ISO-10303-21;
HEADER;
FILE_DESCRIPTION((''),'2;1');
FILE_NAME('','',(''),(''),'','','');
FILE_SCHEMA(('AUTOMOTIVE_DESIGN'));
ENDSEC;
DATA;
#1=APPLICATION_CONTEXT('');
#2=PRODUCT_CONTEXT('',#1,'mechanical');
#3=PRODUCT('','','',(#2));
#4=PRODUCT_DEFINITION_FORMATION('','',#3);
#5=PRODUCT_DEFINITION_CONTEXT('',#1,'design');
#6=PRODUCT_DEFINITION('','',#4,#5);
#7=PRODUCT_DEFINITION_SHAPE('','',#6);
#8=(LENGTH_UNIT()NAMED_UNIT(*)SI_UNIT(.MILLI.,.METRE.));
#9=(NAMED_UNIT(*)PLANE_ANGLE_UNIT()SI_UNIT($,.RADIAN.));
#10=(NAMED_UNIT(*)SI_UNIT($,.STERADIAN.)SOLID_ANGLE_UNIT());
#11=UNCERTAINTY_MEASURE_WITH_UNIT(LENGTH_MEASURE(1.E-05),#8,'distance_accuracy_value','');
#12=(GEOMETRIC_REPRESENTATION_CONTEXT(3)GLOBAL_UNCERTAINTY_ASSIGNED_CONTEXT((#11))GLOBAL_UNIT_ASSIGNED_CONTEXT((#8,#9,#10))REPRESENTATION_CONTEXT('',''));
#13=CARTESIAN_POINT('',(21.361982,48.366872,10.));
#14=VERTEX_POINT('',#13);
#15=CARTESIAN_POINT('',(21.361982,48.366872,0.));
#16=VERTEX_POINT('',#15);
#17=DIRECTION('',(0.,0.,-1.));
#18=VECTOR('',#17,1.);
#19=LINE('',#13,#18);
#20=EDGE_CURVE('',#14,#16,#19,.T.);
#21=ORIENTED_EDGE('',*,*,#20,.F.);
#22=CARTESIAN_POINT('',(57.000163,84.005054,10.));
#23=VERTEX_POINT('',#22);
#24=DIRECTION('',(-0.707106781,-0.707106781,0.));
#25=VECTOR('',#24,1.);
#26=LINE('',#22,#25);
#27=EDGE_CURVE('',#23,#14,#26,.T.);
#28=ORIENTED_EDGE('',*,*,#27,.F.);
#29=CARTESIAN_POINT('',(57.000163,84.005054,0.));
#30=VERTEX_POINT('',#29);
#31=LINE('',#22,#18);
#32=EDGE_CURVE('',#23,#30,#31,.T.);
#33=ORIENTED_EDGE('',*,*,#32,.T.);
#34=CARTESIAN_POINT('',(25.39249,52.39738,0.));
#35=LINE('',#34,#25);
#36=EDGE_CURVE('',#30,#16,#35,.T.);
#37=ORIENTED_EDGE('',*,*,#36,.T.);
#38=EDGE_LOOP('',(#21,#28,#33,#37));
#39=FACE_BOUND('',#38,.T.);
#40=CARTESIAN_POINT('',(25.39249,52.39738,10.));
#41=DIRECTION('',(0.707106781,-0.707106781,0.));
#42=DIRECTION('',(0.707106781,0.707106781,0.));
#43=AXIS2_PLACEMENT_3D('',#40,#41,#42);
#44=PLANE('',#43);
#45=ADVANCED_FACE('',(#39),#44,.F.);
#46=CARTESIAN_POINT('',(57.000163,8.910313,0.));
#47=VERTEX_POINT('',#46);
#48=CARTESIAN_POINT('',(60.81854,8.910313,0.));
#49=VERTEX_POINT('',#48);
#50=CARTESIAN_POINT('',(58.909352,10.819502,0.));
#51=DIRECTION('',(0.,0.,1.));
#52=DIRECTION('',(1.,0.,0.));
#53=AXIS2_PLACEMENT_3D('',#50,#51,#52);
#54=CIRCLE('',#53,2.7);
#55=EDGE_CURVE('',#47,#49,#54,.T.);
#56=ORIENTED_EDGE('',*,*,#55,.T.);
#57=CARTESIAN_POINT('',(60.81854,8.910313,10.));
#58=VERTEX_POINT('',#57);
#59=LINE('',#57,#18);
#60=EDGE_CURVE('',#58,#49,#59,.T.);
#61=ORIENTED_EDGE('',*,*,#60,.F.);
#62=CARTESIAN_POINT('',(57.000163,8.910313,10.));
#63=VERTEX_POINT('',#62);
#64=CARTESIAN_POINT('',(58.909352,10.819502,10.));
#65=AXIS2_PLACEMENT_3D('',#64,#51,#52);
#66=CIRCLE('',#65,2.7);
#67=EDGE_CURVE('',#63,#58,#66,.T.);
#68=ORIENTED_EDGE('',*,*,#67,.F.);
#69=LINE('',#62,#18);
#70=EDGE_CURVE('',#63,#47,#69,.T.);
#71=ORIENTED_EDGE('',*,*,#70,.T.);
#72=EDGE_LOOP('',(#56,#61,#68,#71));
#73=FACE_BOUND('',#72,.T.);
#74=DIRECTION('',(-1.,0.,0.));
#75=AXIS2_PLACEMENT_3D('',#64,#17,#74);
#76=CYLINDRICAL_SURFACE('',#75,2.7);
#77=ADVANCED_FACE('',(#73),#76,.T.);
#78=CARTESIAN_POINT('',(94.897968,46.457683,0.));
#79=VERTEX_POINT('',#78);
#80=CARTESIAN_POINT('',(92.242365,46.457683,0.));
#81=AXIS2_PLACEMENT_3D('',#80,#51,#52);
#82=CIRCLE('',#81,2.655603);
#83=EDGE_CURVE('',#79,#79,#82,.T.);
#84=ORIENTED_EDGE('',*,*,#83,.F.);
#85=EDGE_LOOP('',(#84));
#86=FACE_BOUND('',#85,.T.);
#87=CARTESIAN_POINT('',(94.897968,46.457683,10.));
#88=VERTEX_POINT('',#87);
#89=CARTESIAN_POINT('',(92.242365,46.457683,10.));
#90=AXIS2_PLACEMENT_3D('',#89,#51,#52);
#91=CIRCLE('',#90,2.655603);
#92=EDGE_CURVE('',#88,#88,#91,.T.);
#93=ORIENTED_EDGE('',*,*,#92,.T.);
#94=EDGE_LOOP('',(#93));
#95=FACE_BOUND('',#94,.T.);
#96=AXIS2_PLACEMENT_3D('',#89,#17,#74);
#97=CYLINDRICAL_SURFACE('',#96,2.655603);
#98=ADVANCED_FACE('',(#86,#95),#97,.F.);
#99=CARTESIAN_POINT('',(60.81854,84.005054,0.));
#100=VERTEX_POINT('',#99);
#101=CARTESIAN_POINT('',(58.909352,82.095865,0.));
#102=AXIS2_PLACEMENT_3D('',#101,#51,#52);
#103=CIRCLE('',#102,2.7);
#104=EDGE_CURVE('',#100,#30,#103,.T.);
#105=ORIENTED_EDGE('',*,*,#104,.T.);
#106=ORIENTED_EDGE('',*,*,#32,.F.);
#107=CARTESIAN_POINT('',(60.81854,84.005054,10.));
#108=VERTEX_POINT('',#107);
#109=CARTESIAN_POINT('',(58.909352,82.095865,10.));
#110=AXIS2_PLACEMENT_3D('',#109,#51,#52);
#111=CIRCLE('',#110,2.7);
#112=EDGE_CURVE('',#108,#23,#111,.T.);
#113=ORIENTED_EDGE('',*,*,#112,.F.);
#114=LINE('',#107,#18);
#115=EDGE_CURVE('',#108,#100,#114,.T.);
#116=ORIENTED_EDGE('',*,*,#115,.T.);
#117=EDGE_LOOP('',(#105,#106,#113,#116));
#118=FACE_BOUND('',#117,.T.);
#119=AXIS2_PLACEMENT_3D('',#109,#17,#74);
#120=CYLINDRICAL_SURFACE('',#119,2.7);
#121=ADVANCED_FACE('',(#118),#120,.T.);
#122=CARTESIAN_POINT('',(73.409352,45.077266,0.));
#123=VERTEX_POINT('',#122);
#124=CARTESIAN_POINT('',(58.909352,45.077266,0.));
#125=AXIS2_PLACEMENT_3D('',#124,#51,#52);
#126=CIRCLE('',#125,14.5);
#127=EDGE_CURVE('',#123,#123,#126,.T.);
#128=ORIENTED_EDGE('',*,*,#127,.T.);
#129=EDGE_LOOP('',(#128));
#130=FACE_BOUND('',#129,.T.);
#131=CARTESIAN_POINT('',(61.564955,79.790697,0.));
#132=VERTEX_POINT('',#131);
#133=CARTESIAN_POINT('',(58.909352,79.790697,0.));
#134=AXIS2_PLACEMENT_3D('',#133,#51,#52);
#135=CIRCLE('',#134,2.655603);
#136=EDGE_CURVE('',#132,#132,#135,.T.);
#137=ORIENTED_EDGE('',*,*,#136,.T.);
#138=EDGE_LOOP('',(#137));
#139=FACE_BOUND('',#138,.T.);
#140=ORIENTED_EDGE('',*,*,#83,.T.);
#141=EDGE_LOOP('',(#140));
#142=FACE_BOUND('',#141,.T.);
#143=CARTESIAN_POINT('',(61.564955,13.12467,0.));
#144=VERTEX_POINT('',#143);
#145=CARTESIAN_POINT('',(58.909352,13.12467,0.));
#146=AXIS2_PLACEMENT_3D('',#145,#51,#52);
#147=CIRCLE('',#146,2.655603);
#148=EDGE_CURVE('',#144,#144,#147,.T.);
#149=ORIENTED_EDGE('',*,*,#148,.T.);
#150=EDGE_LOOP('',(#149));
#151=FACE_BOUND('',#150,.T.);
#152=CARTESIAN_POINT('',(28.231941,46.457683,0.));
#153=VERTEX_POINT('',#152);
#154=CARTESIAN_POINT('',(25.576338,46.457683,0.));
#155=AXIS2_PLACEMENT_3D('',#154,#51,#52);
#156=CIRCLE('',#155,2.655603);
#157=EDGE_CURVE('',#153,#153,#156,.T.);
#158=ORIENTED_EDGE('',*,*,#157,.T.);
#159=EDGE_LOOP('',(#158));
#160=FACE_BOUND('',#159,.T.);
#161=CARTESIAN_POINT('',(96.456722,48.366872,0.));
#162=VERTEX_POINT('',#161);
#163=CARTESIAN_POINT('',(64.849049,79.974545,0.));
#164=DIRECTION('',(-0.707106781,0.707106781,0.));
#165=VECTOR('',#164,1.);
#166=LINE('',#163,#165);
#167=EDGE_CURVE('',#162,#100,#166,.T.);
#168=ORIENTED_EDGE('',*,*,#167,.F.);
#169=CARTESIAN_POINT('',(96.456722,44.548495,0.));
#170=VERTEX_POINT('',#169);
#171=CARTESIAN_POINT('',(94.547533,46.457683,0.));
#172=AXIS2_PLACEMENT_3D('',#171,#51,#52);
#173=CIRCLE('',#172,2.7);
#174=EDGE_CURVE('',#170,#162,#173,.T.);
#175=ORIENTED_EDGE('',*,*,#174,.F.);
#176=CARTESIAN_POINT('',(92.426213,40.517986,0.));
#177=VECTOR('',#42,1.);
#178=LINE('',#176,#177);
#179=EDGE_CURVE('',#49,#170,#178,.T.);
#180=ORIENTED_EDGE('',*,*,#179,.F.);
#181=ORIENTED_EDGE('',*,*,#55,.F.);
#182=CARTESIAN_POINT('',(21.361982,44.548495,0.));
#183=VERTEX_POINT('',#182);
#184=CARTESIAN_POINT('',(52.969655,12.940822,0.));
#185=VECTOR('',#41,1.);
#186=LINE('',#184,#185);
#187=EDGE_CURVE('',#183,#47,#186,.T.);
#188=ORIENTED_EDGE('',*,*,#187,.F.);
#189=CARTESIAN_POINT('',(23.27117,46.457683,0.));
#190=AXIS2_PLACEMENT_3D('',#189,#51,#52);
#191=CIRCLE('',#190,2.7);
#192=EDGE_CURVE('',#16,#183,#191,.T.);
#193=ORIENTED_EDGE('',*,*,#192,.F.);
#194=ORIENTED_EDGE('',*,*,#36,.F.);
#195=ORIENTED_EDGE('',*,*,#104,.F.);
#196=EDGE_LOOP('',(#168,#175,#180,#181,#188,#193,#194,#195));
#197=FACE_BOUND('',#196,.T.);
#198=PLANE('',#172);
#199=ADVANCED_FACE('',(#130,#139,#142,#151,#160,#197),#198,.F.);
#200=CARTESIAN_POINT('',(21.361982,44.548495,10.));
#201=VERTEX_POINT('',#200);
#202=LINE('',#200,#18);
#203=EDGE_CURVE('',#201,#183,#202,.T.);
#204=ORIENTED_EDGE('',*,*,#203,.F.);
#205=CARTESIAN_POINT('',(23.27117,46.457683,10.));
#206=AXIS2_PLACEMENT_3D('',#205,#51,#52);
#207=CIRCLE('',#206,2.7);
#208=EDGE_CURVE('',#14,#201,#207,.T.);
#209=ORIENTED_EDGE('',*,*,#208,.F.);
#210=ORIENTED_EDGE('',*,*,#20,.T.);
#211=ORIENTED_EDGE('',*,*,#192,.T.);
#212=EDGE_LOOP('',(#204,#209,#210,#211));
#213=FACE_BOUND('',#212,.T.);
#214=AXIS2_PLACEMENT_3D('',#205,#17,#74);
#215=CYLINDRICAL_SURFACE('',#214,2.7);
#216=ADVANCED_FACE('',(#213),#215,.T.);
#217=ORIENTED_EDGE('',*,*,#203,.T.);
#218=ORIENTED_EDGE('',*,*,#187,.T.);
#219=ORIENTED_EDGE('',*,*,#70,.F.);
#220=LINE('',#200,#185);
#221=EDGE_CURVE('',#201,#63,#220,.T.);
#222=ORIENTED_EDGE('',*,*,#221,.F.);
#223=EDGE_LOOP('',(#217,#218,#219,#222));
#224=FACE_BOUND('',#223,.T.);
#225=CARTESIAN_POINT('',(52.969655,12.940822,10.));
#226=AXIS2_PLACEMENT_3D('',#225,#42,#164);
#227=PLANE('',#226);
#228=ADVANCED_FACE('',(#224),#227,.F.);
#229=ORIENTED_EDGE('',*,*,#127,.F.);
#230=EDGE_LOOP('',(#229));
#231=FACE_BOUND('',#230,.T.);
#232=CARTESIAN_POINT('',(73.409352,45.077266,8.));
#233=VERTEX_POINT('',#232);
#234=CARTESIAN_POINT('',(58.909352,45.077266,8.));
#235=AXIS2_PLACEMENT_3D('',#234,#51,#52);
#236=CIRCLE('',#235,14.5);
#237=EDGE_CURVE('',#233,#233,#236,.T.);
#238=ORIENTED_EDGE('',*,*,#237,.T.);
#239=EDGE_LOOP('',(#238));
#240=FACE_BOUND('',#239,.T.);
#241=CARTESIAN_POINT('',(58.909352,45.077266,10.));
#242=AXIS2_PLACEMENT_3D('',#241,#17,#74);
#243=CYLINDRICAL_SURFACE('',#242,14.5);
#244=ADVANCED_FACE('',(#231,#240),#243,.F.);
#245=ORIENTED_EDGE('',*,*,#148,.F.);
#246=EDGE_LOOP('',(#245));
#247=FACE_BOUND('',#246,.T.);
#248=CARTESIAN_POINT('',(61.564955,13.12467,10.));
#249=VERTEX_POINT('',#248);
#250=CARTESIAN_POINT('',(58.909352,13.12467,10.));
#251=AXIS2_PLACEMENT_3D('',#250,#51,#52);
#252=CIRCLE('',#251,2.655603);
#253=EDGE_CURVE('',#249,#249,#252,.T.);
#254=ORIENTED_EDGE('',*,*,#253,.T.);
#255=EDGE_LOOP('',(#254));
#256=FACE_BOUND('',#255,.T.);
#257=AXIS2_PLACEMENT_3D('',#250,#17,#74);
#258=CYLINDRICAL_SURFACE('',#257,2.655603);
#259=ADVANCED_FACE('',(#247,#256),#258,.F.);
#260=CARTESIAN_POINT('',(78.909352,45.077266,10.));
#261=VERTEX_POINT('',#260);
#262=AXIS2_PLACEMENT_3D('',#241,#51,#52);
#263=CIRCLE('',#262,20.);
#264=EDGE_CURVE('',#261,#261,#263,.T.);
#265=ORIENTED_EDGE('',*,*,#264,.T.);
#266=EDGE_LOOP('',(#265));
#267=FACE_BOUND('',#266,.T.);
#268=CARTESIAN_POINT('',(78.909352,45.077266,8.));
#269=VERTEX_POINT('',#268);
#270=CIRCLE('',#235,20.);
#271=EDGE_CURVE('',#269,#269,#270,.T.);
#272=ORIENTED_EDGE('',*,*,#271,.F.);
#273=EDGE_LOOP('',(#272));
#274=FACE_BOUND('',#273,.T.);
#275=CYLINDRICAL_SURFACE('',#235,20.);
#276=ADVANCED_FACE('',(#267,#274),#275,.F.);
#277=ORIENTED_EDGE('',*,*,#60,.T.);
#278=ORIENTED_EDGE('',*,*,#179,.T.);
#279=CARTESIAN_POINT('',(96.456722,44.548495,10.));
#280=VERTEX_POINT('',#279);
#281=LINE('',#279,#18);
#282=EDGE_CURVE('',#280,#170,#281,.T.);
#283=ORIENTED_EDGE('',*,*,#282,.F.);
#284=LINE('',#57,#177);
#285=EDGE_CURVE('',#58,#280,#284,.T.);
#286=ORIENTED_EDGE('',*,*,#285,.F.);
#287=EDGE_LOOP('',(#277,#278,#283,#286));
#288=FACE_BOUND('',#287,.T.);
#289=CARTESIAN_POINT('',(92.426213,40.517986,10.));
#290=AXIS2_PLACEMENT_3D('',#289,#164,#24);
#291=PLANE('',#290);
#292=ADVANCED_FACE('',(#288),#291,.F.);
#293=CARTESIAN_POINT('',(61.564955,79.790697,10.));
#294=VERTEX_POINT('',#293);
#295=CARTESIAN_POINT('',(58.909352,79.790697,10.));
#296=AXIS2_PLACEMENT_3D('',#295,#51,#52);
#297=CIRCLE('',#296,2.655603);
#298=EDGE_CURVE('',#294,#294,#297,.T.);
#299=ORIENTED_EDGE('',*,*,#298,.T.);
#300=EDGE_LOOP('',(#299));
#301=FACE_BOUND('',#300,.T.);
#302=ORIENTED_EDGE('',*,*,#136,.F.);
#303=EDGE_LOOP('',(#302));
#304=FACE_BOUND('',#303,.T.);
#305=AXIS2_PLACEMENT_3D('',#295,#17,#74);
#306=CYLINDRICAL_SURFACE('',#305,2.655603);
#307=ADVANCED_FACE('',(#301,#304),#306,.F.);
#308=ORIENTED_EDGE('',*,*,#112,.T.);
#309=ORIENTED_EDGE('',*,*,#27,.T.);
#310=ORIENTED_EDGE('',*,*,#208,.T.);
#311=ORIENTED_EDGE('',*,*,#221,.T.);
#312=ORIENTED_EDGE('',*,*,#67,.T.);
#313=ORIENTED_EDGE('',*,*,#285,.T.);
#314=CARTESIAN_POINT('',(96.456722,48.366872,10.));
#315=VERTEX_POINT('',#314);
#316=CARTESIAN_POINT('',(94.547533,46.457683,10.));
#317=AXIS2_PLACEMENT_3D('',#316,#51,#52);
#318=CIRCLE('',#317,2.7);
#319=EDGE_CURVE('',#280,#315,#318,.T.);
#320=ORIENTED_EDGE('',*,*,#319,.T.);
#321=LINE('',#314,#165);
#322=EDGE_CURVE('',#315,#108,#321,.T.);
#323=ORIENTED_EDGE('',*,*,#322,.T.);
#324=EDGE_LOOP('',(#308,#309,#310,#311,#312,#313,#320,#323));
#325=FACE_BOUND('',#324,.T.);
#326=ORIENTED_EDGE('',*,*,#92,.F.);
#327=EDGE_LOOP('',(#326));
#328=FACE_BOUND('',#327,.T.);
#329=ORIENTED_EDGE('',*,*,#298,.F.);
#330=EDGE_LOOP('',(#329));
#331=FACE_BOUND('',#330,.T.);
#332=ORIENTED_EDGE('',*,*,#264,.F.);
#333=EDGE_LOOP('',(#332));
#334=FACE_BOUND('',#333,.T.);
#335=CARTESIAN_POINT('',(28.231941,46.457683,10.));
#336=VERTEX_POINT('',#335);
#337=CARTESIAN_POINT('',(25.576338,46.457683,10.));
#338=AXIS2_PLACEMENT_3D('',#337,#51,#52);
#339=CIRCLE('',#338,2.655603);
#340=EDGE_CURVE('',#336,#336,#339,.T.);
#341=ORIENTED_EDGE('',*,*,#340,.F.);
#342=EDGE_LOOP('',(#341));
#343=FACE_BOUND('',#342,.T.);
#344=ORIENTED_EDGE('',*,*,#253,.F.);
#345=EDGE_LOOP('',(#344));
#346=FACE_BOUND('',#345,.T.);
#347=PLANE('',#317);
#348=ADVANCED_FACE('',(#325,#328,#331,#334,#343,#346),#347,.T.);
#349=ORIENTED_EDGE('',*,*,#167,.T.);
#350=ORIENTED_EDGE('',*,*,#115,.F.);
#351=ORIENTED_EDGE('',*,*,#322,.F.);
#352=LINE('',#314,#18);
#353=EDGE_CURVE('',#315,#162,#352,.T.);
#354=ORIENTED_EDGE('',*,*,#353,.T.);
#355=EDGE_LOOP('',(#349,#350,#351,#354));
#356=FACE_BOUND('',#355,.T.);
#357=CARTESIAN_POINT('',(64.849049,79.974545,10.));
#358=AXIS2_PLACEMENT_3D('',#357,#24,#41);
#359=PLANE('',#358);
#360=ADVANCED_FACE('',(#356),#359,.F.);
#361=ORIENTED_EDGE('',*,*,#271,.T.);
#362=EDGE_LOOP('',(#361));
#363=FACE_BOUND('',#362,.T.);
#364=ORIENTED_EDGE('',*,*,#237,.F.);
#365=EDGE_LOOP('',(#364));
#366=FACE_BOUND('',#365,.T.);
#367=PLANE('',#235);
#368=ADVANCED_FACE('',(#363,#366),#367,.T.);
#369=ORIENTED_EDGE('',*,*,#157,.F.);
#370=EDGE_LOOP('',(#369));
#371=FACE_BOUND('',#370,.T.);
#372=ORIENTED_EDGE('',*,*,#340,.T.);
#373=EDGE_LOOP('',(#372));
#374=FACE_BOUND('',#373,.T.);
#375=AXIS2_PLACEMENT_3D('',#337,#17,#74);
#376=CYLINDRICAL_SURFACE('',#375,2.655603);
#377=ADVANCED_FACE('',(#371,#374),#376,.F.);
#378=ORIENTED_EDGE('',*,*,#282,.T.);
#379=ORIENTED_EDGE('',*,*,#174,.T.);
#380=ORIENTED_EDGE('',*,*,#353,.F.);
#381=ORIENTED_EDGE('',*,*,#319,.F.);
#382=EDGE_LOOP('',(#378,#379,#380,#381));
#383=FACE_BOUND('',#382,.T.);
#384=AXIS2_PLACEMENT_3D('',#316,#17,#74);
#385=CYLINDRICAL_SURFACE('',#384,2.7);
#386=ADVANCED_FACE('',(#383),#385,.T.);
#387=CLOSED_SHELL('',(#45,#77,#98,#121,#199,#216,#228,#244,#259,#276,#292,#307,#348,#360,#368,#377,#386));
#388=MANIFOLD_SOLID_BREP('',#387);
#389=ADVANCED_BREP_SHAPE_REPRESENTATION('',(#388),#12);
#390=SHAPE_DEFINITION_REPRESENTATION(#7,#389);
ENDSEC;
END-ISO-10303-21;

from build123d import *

# Parameters (mm, degrees)
SKETCH1_R           = 14.5
SKETCH1_R_2         = 2.655602963
BOSS_EXTRUDE1_DEPTH = 10
SKETCH2_R           = 20
CUT_EXTRUDE1_DEPTH  = 2


with BuildPart() as part:
    # Sketch1 → Boss-Extrude1 (new body)
    with BuildSketch(Plane.XY):
        with BuildLine():
            Line((96.456721684, 48.36687177), (64.849048565, 79.974544889))
            Line((64.849048565, 79.974544889), (60.818539912, 84.005053542))
            ThreePointArc((60.818539912, 84.005053542), (58.909351603, 84.795865233), (57.000163293, 84.005053542))
            Line((57.000163293, 84.005053542), (25.392490174, 52.397380423))
            Line((25.392490174, 52.397380423), (21.361981522, 48.36687177))
            ThreePointArc((21.361981522, 48.36687177), (20.571169831, 46.457683461), (21.361981522, 44.548495152))
            Line((21.361981522, 44.548495152), (52.969654641, 12.940822033))
            Line((52.969654641, 12.940822033), (57.000163293, 8.91031338))
            ThreePointArc((57.000163293, 8.91031338), (58.909351603, 8.119501689), (60.818539912, 8.91031338))
            Line((60.818539912, 8.91031338), (92.426213031, 40.517986499))
            Line((92.426213031, 40.517986499), (96.456721684, 44.548495152))
            ThreePointArc((96.456721684, 44.548495152), (97.247533374, 46.457683461), (96.456721684, 48.36687177))
        make_face()
        with Locations((58.909351603, 45.077265813)):
            Circle(SKETCH1_R, mode=Mode.SUBTRACT)
        with Locations((58.909351603, 13.124669796)):
            Circle(SKETCH1_R_2, mode=Mode.SUBTRACT)
        with Locations((92.242365268, 46.457683461)):
            Circle(SKETCH1_R_2, mode=Mode.SUBTRACT)
        with Locations((58.909351603, 79.790697126)):
            Circle(SKETCH1_R_2, mode=Mode.SUBTRACT)
        with Locations((25.576337937, 46.457683461)):
            Circle(SKETCH1_R_2, mode=Mode.SUBTRACT)
    extrude(amount=BOSS_EXTRUDE1_DEPTH)

    # Sketch2 → Cut-Extrude1 (cut)
    with BuildSketch(Plane.XY.offset(10)):
        with Locations((58.909351603, 45.077265813)):
            Circle(SKETCH2_R)
    extrude(amount=-CUT_EXTRUDE1_DEPTH, mode=Mode.SUBTRACT)


solid = part.part
